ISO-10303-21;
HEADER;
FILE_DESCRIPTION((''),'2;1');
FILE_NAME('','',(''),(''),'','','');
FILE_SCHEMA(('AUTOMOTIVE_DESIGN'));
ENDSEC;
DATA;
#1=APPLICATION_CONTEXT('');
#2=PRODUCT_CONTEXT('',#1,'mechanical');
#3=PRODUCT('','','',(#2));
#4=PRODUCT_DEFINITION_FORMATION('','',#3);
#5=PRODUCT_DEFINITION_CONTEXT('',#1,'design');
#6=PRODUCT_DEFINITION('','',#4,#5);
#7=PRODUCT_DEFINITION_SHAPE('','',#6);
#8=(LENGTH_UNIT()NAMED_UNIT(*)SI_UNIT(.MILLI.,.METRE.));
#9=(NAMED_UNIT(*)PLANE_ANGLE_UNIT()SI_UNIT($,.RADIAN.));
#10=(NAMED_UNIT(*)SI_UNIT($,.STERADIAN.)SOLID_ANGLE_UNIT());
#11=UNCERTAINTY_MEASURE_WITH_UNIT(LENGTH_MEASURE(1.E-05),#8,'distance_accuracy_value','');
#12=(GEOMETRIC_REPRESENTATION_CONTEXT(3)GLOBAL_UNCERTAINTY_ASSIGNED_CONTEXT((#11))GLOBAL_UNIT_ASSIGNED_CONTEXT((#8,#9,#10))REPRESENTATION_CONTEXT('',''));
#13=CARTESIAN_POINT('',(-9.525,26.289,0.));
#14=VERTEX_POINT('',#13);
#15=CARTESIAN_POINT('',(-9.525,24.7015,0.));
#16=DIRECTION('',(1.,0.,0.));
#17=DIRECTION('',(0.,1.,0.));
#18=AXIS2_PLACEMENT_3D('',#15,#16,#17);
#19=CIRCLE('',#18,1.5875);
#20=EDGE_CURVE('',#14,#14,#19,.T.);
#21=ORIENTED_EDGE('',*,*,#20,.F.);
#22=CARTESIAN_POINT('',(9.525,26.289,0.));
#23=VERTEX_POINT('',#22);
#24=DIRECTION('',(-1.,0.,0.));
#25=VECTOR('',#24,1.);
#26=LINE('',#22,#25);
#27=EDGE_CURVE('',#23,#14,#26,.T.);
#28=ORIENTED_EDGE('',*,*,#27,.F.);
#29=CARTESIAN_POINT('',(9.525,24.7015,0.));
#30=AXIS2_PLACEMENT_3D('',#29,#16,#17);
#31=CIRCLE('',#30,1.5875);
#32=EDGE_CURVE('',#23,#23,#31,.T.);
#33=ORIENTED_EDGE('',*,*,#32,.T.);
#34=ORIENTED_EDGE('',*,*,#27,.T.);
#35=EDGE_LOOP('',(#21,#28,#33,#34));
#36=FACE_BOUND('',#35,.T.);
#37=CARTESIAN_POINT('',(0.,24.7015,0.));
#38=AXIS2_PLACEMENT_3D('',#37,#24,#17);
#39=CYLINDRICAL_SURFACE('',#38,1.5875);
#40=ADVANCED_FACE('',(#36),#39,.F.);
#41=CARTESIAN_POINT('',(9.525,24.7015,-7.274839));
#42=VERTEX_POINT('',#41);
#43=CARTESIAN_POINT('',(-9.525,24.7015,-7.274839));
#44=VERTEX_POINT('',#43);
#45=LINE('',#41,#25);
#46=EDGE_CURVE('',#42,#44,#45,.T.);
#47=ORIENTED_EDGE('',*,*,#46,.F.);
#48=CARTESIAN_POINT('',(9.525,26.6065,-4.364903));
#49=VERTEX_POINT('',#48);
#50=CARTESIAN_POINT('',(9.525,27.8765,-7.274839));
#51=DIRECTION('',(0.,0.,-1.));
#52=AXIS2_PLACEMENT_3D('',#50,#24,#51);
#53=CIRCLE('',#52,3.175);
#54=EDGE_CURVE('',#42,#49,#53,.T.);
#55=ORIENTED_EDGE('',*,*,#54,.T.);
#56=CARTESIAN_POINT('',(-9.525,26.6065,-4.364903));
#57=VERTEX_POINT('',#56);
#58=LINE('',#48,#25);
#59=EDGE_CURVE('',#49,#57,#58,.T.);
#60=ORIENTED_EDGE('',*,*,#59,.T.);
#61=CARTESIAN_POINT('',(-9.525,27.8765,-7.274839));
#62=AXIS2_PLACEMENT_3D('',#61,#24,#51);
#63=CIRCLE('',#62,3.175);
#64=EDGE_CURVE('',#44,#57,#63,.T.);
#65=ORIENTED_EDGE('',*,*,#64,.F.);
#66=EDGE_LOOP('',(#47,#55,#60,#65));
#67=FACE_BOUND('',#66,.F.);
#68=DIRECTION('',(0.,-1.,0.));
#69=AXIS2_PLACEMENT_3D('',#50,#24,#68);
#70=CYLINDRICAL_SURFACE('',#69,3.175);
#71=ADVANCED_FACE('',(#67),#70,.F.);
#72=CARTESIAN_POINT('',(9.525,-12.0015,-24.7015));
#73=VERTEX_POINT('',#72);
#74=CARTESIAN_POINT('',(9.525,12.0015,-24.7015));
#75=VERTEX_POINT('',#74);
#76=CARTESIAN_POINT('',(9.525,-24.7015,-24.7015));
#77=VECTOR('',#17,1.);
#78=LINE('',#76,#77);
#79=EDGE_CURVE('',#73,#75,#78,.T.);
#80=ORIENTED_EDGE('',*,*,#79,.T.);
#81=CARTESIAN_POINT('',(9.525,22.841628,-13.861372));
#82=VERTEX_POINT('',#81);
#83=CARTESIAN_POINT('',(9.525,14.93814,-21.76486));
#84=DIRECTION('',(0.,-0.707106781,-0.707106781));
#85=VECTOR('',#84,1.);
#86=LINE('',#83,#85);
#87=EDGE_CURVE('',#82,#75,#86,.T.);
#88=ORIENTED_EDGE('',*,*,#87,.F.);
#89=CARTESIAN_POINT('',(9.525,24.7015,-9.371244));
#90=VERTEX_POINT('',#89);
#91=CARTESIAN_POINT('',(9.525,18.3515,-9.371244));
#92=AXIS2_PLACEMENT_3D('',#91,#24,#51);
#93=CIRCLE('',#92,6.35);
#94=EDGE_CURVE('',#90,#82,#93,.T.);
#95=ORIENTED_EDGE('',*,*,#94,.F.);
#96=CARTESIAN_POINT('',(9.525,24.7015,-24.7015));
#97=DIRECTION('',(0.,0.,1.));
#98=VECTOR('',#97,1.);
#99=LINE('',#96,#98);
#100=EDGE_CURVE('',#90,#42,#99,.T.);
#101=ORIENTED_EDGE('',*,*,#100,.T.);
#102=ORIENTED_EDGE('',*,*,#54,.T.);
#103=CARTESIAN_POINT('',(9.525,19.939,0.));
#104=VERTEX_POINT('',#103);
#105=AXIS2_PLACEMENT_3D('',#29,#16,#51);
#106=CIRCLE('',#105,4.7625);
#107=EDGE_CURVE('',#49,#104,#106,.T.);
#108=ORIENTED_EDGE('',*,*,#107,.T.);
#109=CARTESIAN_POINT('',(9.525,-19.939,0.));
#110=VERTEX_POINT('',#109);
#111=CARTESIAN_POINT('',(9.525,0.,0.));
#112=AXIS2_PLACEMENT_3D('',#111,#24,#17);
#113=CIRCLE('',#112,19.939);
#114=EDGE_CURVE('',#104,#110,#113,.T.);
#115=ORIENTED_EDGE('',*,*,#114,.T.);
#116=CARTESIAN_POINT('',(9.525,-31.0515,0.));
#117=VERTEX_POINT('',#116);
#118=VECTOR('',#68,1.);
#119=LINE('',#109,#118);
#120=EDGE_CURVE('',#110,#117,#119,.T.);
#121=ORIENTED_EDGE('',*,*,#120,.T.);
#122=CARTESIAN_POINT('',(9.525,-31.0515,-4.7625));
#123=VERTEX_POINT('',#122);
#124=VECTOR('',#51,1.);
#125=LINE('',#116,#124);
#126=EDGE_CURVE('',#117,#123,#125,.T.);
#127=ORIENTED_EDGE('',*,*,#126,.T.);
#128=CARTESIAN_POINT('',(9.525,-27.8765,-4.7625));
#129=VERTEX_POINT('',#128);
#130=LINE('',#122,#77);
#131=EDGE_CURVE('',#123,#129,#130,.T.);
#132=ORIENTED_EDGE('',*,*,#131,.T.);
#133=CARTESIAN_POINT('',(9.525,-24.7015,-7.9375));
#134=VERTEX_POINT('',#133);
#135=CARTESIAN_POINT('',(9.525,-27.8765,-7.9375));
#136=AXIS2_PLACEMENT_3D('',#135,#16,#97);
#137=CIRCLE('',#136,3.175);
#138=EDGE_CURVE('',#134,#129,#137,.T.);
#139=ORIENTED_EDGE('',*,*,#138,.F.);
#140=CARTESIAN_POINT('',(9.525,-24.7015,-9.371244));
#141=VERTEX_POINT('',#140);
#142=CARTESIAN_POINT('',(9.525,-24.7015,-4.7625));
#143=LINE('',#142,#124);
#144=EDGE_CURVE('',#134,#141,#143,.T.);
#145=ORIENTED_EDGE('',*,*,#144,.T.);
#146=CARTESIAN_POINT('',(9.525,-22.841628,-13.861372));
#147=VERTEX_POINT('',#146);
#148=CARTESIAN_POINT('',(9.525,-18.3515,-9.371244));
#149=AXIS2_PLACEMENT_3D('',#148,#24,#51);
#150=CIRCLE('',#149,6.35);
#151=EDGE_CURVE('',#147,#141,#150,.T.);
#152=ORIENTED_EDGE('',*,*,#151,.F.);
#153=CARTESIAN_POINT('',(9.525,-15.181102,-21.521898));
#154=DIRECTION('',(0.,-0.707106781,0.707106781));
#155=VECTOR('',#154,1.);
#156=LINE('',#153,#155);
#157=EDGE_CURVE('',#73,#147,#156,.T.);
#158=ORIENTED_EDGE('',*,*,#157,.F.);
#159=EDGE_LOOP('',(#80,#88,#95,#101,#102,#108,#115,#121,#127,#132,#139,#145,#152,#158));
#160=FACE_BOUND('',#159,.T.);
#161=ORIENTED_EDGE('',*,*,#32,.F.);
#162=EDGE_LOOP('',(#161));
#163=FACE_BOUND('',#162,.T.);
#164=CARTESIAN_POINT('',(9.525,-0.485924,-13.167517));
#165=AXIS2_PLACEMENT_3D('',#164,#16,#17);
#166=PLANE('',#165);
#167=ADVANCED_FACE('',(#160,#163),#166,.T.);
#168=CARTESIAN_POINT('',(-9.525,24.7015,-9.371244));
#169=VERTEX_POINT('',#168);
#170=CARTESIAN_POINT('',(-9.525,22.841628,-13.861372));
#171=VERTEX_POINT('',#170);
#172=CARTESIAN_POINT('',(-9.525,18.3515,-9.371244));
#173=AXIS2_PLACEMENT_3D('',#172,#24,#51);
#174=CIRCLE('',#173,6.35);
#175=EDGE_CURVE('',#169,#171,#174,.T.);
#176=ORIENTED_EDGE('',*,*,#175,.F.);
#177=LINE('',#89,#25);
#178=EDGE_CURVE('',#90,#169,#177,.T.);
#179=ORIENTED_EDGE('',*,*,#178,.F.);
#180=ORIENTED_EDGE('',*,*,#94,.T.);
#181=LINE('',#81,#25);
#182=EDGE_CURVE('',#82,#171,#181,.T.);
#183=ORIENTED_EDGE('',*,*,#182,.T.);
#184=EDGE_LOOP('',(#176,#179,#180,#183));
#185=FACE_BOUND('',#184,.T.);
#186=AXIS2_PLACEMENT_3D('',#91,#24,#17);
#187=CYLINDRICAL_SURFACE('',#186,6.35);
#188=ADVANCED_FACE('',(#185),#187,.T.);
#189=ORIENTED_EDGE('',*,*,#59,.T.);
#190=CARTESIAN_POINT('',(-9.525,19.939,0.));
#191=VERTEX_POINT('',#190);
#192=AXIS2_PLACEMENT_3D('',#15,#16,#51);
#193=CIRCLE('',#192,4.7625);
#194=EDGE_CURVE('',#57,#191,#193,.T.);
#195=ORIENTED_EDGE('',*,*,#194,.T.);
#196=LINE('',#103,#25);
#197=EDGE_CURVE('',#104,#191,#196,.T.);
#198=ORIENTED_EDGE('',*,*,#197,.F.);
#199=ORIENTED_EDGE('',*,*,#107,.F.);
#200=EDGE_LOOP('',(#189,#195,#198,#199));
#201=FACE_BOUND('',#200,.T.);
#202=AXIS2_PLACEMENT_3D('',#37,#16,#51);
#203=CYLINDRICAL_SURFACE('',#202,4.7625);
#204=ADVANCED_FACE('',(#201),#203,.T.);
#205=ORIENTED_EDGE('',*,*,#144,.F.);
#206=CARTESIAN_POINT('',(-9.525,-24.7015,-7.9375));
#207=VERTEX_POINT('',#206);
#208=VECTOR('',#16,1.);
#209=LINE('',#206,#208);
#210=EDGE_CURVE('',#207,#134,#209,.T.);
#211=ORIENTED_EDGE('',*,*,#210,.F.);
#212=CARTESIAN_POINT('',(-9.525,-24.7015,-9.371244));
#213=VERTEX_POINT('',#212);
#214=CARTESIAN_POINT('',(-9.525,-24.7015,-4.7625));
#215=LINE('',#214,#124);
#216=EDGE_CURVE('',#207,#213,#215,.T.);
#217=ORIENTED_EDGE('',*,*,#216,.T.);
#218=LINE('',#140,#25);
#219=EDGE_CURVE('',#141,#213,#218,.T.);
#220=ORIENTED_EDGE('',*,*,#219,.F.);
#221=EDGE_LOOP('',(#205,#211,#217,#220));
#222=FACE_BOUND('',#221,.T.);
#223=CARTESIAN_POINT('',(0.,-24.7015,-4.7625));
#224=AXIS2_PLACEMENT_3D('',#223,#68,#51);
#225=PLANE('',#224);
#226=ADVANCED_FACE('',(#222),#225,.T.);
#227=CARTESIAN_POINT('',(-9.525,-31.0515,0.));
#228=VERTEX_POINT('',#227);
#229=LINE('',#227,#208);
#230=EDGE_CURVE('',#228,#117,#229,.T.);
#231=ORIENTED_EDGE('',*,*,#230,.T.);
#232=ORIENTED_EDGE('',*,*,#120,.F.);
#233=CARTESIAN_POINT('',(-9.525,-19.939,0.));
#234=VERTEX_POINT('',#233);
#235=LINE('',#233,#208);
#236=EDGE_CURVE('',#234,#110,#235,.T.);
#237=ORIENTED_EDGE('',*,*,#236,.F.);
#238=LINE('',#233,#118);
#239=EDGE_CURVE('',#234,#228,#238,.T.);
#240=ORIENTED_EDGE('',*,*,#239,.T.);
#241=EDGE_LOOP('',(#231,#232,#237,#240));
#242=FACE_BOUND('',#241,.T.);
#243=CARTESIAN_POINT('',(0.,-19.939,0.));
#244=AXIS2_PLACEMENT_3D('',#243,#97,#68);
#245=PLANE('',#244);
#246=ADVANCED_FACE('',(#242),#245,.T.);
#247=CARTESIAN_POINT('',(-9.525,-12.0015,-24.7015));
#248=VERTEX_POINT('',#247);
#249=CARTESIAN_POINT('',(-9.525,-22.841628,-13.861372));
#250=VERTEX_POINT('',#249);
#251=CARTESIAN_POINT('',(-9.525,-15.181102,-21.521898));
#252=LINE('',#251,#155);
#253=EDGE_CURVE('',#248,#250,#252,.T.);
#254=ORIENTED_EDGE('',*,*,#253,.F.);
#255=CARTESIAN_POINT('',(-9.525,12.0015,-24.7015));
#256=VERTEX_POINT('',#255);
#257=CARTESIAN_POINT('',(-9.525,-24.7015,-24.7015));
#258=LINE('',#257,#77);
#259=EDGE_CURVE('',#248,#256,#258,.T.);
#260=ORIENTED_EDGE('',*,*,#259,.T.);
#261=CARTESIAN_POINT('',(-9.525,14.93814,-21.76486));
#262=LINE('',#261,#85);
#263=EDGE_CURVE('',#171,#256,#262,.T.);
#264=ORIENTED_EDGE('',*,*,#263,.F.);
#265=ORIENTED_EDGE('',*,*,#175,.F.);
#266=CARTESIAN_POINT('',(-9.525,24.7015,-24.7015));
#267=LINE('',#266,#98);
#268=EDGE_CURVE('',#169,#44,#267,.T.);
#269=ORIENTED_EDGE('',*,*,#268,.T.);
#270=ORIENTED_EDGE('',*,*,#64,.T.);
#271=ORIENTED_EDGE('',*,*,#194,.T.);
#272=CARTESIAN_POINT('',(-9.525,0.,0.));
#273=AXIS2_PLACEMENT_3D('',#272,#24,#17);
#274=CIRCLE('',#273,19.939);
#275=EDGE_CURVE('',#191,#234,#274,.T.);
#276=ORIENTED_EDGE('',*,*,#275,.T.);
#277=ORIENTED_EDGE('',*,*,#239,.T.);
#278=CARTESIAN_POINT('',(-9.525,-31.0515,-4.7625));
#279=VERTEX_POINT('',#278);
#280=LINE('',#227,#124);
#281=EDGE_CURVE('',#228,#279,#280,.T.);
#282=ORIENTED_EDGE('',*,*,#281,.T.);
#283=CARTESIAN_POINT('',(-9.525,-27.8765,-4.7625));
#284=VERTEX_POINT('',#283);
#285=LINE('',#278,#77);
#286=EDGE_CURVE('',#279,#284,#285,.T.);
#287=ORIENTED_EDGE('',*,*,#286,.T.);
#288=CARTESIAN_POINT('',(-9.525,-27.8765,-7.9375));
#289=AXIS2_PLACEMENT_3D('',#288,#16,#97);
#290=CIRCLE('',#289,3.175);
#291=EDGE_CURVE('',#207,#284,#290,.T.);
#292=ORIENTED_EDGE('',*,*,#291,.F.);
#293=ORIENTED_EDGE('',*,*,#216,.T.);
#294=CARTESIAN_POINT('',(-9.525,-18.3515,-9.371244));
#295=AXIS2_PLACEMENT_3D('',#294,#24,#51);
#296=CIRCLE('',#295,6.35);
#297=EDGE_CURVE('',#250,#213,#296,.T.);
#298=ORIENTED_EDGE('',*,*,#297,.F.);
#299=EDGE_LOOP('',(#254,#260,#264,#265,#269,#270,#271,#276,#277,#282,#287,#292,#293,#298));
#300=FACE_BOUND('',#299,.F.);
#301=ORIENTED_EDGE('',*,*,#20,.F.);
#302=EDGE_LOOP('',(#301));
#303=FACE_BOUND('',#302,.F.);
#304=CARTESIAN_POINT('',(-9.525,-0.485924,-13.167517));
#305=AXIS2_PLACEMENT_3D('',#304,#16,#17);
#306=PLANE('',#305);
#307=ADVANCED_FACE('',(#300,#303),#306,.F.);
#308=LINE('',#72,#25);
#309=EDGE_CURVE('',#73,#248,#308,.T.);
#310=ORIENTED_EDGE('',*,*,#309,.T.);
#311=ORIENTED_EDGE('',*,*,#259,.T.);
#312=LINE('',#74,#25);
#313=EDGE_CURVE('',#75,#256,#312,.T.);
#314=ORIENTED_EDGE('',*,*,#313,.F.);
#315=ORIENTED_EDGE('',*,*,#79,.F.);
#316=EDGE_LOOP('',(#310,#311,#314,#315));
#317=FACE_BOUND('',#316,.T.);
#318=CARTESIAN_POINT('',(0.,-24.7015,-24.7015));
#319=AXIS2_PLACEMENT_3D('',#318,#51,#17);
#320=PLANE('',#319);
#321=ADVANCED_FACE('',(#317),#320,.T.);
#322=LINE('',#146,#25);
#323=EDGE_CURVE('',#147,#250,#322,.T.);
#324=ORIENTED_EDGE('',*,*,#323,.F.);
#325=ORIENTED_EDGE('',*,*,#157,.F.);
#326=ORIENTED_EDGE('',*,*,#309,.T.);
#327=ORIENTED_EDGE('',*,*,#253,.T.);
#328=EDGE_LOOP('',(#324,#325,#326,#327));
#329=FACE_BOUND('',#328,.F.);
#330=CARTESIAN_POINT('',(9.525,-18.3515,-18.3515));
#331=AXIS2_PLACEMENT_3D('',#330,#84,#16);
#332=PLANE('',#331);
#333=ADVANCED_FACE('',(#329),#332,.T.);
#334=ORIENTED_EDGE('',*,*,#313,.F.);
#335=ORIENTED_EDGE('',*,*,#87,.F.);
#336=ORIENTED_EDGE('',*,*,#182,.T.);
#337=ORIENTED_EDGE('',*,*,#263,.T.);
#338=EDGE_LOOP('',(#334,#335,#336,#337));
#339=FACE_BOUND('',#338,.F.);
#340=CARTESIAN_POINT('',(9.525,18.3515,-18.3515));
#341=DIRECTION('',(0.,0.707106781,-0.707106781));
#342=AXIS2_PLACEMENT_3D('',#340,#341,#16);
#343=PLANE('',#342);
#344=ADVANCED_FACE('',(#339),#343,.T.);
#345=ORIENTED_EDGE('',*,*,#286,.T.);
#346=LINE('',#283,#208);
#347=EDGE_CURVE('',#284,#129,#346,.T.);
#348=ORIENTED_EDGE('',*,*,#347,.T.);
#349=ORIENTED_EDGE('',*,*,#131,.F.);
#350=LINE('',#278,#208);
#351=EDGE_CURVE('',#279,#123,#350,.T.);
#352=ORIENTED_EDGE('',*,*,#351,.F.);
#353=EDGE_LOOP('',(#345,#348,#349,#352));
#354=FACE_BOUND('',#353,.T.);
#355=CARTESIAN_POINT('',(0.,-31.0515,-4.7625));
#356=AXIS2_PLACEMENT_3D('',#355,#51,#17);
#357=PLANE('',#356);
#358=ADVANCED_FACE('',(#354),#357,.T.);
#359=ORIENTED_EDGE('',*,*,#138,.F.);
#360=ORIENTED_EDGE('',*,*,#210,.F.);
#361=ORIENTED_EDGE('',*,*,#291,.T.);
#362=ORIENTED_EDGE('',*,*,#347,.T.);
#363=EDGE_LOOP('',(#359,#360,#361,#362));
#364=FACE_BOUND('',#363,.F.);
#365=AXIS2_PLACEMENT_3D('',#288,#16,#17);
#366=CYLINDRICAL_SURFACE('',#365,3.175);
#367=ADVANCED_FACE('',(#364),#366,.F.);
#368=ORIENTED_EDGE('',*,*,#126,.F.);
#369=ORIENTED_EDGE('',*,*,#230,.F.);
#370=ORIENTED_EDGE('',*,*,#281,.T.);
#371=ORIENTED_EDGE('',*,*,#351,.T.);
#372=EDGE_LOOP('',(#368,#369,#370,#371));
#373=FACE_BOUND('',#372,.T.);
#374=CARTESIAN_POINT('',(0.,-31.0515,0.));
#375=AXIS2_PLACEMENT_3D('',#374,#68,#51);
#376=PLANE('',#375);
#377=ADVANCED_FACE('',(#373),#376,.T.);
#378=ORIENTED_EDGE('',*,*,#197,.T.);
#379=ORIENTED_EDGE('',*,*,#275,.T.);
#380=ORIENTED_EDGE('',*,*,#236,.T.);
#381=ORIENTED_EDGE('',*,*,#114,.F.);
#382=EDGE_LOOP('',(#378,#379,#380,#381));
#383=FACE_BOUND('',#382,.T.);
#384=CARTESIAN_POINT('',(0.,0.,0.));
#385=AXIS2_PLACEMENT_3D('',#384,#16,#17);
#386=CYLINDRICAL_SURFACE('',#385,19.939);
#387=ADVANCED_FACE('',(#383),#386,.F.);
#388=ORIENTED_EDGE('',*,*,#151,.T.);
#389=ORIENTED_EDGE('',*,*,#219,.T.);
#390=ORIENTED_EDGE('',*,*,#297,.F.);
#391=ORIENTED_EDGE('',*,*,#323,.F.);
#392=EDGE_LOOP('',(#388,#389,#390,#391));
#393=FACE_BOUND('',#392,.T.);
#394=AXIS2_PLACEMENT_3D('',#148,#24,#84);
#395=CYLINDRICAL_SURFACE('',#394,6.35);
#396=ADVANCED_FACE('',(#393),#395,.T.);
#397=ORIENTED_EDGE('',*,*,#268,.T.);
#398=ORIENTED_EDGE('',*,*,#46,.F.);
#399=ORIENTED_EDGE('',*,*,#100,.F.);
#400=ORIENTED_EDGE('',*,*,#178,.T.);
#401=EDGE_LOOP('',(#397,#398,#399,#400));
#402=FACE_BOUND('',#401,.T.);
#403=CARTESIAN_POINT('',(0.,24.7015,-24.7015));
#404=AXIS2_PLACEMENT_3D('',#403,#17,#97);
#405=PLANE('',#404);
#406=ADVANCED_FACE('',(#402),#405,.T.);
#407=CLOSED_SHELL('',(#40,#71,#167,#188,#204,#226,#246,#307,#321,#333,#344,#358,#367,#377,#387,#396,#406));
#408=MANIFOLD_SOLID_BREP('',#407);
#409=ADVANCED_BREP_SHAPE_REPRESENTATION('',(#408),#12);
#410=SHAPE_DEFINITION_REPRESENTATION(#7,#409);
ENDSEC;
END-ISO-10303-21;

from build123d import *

# Parameters (mm, degrees)
F0_R     = 1.5875
F1_DEPTH = 9.525
F2_SIZE  = 12.7
F3_R     = 3.175
F4_R     = 6.35


with BuildPart() as f1:
    # F0 (on Right) → F1 (new body, symmetric)
    with BuildSketch(Plane.YZ):
        with BuildLine():
            ThreePointArc((19.939, 0), (0, -19.939), (-19.939, 0))
            Line((-19.939, 0), (-24.7015, 0))
            Line((-24.7015, 0), (-31.0515, 0))
            Line((-31.0515, 0), (-31.0515, -4.7625))
            Line((-31.0515, -4.7625), (-24.7015, -4.7625))
            Line((-24.7015, -4.7625), (-24.7015, -24.7015))
            Line((-24.7015, -24.7015), (24.7015, -24.7015))
            Line((24.7015, -24.7015), (24.7015, -4.7625))
            ThreePointArc((24.7015, -4.7625), (28.0690960454, 3.3675960454), (19.939, 0))
        make_face()
        with Locations((24.7015, 0)):
            Circle(F0_R, mode=Mode.SUBTRACT)
    extrude(amount=F1_DEPTH, both=True)

    # F2
    f2_edges = [f1.edges().sort_by_distance(p)[0] for p in [
        (0, -24.7015, -24.7015),
        (0, 24.7015, -24.7015),
    ]]
    chamfer(f2_edges, length=F2_SIZE)

    # F3
    f3_edges = [f1.edges().sort_by_distance(p)[0] for p in [
        (0, 24.7015, -4.7625),
        (0, -24.7015, -4.7625),
    ]]
    fillet(f3_edges, radius=F3_R)

    # F4
    f4_edges = [f1.edges().sort_by_distance(p)[0] for p in [
        (0, 24.7015, -12.0015),
        (0, -24.7015, -12.0015),
    ]]
    fillet(f4_edges, radius=F4_R)


solid = f1.part
